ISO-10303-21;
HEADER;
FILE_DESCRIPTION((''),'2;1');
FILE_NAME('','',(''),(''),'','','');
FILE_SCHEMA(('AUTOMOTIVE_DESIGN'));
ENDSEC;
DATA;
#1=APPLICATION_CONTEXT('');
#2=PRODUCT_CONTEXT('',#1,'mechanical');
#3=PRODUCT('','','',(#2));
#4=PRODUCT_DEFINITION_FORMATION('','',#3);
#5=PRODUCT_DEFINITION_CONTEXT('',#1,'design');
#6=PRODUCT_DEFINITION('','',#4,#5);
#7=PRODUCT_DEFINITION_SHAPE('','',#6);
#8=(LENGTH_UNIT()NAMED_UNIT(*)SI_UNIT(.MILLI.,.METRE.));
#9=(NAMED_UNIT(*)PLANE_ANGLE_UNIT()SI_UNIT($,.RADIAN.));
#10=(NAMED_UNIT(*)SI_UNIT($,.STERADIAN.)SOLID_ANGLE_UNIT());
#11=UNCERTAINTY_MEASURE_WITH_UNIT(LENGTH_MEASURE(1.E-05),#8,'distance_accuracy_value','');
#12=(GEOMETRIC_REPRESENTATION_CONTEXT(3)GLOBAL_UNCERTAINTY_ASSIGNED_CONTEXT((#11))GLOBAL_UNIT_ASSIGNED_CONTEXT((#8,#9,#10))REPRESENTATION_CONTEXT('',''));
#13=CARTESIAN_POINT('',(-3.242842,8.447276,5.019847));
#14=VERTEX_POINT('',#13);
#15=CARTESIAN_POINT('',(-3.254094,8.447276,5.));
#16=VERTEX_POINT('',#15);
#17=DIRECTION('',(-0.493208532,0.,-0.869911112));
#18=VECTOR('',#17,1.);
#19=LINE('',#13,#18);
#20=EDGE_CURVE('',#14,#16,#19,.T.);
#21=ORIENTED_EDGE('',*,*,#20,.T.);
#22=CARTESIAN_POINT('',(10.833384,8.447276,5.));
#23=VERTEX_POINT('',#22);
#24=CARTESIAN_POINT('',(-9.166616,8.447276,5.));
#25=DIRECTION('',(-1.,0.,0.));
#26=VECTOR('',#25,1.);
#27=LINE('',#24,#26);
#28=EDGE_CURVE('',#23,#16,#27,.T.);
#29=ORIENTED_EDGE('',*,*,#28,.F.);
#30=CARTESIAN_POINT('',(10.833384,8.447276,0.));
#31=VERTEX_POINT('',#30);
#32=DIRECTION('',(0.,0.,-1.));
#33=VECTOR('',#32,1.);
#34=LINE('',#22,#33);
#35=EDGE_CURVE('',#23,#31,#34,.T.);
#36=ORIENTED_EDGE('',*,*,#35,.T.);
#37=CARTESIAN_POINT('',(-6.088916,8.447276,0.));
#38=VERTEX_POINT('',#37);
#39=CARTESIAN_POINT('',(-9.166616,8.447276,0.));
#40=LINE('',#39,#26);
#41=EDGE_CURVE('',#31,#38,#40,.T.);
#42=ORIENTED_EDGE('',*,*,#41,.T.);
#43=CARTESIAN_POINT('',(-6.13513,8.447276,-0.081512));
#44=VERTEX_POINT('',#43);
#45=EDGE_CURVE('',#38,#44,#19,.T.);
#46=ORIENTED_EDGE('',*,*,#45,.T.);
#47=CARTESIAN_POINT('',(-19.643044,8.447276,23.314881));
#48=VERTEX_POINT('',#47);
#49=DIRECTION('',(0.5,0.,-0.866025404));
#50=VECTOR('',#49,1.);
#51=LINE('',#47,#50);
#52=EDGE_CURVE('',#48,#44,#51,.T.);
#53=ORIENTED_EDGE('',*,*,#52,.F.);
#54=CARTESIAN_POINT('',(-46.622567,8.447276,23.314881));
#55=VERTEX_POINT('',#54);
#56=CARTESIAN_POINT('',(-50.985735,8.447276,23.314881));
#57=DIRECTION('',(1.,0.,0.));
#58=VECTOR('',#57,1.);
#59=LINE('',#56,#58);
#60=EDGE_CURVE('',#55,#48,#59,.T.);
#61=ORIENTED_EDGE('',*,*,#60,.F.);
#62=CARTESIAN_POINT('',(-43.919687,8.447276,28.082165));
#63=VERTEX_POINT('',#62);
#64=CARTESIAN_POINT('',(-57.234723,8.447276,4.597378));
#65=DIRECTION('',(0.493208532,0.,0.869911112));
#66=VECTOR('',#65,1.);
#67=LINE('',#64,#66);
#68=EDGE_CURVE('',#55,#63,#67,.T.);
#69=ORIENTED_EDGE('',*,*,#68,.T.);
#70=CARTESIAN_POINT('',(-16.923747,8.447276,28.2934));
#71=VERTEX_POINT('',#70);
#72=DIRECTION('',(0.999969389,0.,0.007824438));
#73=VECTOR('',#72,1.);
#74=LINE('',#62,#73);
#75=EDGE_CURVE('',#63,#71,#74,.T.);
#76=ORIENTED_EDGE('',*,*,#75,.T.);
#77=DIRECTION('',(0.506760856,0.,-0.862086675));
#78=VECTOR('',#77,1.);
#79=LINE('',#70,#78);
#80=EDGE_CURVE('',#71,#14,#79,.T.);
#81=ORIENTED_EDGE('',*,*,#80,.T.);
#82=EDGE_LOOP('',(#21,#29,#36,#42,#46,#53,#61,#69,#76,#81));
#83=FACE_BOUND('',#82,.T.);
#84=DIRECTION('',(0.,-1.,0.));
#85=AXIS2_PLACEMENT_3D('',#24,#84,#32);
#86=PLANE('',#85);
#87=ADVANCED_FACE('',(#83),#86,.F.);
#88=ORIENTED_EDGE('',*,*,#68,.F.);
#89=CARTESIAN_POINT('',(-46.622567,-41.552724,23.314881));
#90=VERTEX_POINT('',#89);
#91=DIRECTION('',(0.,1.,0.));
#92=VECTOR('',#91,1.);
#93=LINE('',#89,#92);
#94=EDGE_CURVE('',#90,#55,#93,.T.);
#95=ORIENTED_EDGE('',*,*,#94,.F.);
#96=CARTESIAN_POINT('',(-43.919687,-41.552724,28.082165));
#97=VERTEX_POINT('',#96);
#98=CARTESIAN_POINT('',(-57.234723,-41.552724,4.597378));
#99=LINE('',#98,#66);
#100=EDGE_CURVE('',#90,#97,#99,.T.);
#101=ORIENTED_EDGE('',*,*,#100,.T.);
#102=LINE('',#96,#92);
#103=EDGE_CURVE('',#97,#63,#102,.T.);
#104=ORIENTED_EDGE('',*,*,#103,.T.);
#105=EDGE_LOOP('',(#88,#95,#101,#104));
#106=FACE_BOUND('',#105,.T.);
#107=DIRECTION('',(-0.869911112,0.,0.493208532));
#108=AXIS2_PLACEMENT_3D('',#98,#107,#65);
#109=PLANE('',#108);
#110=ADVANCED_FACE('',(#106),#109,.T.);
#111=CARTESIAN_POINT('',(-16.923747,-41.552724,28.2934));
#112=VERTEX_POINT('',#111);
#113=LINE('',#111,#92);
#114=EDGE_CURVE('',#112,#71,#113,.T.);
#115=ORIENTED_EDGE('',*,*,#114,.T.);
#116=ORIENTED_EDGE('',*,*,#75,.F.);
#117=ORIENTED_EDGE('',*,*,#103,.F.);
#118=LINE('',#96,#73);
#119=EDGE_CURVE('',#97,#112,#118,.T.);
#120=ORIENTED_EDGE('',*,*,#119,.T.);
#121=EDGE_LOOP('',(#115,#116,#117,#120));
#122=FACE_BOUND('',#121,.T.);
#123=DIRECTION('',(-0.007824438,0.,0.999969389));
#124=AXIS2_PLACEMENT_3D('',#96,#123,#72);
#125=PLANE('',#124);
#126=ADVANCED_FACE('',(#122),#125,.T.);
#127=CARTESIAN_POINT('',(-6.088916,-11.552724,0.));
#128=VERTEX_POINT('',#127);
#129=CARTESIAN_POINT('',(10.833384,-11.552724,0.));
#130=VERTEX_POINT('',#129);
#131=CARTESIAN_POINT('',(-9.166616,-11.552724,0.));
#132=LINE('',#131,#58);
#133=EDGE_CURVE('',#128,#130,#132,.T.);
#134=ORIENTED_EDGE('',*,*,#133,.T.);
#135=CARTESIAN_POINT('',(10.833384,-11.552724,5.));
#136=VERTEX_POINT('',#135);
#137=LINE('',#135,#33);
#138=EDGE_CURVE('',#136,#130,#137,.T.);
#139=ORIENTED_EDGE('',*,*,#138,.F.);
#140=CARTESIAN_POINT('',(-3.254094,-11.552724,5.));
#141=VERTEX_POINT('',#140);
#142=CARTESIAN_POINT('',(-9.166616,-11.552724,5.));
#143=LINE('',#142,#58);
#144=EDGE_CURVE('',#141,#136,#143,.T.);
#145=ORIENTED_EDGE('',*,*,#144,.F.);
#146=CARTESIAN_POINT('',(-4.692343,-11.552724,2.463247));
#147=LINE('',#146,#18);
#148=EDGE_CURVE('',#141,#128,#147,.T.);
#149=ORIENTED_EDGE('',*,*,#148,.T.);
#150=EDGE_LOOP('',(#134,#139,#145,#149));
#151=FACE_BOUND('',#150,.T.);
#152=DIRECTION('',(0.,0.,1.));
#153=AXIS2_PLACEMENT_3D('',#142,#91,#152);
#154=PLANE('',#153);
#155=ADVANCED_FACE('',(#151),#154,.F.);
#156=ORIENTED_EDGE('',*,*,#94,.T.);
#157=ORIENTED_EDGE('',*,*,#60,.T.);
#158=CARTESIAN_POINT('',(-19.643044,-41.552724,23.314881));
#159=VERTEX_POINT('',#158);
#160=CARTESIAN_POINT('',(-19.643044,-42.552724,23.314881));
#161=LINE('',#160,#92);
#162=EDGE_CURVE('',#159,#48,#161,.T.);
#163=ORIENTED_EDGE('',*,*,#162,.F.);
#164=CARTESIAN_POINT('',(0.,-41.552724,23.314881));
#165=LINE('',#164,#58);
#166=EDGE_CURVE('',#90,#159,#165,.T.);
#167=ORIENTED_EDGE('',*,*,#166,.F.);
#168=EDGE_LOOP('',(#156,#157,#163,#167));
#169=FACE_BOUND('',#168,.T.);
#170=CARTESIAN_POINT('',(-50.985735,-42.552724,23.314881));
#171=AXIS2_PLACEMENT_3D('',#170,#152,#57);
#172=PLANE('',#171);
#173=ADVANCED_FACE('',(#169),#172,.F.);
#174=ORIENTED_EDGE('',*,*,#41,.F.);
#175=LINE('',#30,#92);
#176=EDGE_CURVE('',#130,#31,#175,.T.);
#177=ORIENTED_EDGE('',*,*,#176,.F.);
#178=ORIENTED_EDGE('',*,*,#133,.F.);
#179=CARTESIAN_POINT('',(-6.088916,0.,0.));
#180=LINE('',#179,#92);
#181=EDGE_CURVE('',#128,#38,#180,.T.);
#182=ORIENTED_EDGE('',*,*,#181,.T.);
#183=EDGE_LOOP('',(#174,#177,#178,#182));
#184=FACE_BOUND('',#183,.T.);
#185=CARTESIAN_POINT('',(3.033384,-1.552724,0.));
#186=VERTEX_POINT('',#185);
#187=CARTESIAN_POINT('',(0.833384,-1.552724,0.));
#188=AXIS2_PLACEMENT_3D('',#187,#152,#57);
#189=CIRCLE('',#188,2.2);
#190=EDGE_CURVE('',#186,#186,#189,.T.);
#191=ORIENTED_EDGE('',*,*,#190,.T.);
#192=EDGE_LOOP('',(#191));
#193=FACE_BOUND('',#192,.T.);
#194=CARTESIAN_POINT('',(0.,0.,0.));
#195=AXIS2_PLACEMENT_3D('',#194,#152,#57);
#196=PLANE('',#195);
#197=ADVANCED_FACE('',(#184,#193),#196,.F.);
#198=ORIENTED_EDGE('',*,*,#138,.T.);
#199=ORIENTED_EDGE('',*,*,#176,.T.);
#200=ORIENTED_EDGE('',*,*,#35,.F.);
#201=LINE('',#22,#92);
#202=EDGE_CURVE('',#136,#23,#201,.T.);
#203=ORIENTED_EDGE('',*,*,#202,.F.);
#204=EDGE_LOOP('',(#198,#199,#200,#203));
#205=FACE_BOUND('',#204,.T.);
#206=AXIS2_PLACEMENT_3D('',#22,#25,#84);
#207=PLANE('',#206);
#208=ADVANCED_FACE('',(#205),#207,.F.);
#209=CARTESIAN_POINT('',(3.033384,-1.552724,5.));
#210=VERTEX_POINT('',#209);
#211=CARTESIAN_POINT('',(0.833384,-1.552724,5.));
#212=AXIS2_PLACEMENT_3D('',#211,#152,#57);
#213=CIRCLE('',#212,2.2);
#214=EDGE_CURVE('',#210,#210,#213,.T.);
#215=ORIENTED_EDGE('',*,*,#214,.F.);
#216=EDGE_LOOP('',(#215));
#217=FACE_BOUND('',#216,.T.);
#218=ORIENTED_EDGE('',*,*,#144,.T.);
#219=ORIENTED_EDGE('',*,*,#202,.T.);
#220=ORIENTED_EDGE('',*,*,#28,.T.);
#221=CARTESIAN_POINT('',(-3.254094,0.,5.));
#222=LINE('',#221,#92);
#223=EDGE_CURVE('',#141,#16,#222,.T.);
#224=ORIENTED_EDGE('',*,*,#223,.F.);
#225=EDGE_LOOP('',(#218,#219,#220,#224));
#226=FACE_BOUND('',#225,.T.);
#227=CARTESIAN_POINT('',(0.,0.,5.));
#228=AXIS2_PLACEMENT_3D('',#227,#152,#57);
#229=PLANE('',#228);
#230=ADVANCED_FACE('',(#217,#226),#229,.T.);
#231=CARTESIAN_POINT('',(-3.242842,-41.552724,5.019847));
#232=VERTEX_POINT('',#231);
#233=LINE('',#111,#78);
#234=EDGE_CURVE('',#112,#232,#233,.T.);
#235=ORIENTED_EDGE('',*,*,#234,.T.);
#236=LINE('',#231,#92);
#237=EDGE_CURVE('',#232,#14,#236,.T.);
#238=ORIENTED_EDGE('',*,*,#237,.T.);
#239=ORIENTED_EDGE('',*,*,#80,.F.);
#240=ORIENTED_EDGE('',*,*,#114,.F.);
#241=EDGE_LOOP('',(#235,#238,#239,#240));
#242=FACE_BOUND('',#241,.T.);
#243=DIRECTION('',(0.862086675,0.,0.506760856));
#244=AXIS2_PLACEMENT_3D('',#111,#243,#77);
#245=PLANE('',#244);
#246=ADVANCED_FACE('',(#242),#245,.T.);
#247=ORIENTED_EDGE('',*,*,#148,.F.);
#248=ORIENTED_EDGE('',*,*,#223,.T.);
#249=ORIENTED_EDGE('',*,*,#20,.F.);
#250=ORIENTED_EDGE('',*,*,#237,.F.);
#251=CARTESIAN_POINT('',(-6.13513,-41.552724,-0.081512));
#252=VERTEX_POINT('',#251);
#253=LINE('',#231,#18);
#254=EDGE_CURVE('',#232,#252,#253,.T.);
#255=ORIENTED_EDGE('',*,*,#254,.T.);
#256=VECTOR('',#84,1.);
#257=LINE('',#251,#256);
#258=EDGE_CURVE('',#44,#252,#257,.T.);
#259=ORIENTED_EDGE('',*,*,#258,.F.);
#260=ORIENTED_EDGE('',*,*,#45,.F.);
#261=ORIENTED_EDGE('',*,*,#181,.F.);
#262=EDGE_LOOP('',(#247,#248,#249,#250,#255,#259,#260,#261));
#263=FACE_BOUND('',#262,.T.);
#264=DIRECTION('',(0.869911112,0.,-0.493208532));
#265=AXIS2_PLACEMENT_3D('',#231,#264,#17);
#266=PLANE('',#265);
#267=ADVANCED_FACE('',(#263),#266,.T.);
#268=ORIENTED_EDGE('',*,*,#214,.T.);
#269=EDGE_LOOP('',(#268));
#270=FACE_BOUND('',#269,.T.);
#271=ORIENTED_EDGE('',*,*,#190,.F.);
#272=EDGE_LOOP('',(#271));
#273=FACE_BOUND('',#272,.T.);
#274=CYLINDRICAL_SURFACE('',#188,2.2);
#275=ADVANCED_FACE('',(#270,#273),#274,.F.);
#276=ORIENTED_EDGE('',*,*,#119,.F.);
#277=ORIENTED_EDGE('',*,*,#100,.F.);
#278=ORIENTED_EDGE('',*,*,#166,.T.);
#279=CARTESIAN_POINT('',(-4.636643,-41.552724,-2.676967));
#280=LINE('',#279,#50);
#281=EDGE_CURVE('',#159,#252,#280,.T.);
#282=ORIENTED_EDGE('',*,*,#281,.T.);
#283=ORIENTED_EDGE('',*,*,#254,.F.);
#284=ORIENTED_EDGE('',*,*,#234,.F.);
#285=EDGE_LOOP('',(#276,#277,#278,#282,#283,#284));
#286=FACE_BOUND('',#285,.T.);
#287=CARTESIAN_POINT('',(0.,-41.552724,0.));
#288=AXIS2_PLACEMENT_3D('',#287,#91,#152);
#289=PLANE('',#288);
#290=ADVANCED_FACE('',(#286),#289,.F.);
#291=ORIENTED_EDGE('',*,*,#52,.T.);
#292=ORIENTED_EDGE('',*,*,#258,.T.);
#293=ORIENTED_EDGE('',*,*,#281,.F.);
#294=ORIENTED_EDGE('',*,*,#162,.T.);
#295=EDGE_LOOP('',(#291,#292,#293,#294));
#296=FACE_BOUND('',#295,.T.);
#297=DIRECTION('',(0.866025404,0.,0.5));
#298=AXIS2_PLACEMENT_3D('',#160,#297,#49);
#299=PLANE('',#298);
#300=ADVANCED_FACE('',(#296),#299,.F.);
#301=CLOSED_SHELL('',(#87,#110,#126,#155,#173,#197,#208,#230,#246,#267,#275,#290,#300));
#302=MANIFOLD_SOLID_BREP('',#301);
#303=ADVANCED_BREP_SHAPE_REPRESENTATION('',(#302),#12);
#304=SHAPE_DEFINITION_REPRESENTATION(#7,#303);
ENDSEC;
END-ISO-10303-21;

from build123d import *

# Parameters (mm, degrees)
ESQUISSE3_W             = 20
ESQUISSE3_H             = 20
BOSS_EXTRU_2_DEPTH      = 5
ESQUISSE5_R             = 2.2
ENL_V_MAT_EXTRU_2_DEPTH = 5
BOSS_EXTRU_4_DEPTH      = 1
BOSS_EXTRU_4_DEPTH_BACK = 50
ENL_V_MAT_EXTRU_3_DEPTH = 52
ESQUISSE17_W            = 44.772761967
ESQUISSE17_H            = 32.67201549
ENL_V_MAT_EXTRU_4_DEPTH = 1


with BuildPart() as part:
    # Esquisse3 → Boss.-Extru.2 (new body)
    with BuildSketch(Plane.XY):
        with Locations((0.833384448, -1.552723646)):
            Rectangle(ESQUISSE3_W, ESQUISSE3_H)
    extrude(amount=BOSS_EXTRU_2_DEPTH)

    # Esquisse5 → Enlèv. mat.-Extru.2 (cut)
    with BuildSketch(Plane.XY.offset(5)):
        with Locations((0.833384448, -1.552723646)):
            Circle(ESQUISSE5_R)
    extrude(amount=-ENL_V_MAT_EXTRU_2_DEPTH, mode=Mode.SUBTRACT)

    # Esquisse15 → Boss.-Extru.4 (add, two sides: drawn at the far end of the back side and taken through both)
    with BuildSketch(Plane(origin=(0, 8.447276354, 0), x_dir=(1, 0, 0), z_dir=(0, 1, 0)).offset(-BOSS_EXTRU_4_DEPTH_BACK)):
        Polygon((-16.923746628, -28.293399859), (-3.242841841, -5.019846719), (-16.557877703, 18.464940943), (-43.553818352, 18.676175465), (-57.234723139, -4.597377675), (-43.919687277, -28.082165337), align=None)
    extrude(amount=BOSS_EXTRU_4_DEPTH + BOSS_EXTRU_4_DEPTH_BACK)

    # Esquisse16 → Enlèv. mat.-Extru.3 (cut)
    with BuildSketch(Plane(origin=(0, 9.447276354, 0), x_dir=(1, 0, 0), z_dir=(0, 1, 0))):
        Polygon((-3.971698256, 3.828685124), (-19.643043748, 30.972251739), (-50.985734731, 30.972251739), (-66.657080223, 3.828685124), (-50.985734731, -23.314881491), (-19.643043748, -23.314881491), align=None)
    extrude(amount=-ENL_V_MAT_EXTRU_3_DEPTH, mode=Mode.SUBTRACT)

    # Esquisse17 → Enlèv. mat.-Extru.4 (cut)
    with BuildSketch(Plane(origin=(0, 9.447276354, 0), x_dir=(1, 0, 0), z_dir=(0, 1, 0))):
        with Locations((-25.155039142, -14.317707157)):
            Rectangle(ESQUISSE17_W, ESQUISSE17_H)
    extrude(amount=-ENL_V_MAT_EXTRU_4_DEPTH, mode=Mode.SUBTRACT)


solid = part.part
